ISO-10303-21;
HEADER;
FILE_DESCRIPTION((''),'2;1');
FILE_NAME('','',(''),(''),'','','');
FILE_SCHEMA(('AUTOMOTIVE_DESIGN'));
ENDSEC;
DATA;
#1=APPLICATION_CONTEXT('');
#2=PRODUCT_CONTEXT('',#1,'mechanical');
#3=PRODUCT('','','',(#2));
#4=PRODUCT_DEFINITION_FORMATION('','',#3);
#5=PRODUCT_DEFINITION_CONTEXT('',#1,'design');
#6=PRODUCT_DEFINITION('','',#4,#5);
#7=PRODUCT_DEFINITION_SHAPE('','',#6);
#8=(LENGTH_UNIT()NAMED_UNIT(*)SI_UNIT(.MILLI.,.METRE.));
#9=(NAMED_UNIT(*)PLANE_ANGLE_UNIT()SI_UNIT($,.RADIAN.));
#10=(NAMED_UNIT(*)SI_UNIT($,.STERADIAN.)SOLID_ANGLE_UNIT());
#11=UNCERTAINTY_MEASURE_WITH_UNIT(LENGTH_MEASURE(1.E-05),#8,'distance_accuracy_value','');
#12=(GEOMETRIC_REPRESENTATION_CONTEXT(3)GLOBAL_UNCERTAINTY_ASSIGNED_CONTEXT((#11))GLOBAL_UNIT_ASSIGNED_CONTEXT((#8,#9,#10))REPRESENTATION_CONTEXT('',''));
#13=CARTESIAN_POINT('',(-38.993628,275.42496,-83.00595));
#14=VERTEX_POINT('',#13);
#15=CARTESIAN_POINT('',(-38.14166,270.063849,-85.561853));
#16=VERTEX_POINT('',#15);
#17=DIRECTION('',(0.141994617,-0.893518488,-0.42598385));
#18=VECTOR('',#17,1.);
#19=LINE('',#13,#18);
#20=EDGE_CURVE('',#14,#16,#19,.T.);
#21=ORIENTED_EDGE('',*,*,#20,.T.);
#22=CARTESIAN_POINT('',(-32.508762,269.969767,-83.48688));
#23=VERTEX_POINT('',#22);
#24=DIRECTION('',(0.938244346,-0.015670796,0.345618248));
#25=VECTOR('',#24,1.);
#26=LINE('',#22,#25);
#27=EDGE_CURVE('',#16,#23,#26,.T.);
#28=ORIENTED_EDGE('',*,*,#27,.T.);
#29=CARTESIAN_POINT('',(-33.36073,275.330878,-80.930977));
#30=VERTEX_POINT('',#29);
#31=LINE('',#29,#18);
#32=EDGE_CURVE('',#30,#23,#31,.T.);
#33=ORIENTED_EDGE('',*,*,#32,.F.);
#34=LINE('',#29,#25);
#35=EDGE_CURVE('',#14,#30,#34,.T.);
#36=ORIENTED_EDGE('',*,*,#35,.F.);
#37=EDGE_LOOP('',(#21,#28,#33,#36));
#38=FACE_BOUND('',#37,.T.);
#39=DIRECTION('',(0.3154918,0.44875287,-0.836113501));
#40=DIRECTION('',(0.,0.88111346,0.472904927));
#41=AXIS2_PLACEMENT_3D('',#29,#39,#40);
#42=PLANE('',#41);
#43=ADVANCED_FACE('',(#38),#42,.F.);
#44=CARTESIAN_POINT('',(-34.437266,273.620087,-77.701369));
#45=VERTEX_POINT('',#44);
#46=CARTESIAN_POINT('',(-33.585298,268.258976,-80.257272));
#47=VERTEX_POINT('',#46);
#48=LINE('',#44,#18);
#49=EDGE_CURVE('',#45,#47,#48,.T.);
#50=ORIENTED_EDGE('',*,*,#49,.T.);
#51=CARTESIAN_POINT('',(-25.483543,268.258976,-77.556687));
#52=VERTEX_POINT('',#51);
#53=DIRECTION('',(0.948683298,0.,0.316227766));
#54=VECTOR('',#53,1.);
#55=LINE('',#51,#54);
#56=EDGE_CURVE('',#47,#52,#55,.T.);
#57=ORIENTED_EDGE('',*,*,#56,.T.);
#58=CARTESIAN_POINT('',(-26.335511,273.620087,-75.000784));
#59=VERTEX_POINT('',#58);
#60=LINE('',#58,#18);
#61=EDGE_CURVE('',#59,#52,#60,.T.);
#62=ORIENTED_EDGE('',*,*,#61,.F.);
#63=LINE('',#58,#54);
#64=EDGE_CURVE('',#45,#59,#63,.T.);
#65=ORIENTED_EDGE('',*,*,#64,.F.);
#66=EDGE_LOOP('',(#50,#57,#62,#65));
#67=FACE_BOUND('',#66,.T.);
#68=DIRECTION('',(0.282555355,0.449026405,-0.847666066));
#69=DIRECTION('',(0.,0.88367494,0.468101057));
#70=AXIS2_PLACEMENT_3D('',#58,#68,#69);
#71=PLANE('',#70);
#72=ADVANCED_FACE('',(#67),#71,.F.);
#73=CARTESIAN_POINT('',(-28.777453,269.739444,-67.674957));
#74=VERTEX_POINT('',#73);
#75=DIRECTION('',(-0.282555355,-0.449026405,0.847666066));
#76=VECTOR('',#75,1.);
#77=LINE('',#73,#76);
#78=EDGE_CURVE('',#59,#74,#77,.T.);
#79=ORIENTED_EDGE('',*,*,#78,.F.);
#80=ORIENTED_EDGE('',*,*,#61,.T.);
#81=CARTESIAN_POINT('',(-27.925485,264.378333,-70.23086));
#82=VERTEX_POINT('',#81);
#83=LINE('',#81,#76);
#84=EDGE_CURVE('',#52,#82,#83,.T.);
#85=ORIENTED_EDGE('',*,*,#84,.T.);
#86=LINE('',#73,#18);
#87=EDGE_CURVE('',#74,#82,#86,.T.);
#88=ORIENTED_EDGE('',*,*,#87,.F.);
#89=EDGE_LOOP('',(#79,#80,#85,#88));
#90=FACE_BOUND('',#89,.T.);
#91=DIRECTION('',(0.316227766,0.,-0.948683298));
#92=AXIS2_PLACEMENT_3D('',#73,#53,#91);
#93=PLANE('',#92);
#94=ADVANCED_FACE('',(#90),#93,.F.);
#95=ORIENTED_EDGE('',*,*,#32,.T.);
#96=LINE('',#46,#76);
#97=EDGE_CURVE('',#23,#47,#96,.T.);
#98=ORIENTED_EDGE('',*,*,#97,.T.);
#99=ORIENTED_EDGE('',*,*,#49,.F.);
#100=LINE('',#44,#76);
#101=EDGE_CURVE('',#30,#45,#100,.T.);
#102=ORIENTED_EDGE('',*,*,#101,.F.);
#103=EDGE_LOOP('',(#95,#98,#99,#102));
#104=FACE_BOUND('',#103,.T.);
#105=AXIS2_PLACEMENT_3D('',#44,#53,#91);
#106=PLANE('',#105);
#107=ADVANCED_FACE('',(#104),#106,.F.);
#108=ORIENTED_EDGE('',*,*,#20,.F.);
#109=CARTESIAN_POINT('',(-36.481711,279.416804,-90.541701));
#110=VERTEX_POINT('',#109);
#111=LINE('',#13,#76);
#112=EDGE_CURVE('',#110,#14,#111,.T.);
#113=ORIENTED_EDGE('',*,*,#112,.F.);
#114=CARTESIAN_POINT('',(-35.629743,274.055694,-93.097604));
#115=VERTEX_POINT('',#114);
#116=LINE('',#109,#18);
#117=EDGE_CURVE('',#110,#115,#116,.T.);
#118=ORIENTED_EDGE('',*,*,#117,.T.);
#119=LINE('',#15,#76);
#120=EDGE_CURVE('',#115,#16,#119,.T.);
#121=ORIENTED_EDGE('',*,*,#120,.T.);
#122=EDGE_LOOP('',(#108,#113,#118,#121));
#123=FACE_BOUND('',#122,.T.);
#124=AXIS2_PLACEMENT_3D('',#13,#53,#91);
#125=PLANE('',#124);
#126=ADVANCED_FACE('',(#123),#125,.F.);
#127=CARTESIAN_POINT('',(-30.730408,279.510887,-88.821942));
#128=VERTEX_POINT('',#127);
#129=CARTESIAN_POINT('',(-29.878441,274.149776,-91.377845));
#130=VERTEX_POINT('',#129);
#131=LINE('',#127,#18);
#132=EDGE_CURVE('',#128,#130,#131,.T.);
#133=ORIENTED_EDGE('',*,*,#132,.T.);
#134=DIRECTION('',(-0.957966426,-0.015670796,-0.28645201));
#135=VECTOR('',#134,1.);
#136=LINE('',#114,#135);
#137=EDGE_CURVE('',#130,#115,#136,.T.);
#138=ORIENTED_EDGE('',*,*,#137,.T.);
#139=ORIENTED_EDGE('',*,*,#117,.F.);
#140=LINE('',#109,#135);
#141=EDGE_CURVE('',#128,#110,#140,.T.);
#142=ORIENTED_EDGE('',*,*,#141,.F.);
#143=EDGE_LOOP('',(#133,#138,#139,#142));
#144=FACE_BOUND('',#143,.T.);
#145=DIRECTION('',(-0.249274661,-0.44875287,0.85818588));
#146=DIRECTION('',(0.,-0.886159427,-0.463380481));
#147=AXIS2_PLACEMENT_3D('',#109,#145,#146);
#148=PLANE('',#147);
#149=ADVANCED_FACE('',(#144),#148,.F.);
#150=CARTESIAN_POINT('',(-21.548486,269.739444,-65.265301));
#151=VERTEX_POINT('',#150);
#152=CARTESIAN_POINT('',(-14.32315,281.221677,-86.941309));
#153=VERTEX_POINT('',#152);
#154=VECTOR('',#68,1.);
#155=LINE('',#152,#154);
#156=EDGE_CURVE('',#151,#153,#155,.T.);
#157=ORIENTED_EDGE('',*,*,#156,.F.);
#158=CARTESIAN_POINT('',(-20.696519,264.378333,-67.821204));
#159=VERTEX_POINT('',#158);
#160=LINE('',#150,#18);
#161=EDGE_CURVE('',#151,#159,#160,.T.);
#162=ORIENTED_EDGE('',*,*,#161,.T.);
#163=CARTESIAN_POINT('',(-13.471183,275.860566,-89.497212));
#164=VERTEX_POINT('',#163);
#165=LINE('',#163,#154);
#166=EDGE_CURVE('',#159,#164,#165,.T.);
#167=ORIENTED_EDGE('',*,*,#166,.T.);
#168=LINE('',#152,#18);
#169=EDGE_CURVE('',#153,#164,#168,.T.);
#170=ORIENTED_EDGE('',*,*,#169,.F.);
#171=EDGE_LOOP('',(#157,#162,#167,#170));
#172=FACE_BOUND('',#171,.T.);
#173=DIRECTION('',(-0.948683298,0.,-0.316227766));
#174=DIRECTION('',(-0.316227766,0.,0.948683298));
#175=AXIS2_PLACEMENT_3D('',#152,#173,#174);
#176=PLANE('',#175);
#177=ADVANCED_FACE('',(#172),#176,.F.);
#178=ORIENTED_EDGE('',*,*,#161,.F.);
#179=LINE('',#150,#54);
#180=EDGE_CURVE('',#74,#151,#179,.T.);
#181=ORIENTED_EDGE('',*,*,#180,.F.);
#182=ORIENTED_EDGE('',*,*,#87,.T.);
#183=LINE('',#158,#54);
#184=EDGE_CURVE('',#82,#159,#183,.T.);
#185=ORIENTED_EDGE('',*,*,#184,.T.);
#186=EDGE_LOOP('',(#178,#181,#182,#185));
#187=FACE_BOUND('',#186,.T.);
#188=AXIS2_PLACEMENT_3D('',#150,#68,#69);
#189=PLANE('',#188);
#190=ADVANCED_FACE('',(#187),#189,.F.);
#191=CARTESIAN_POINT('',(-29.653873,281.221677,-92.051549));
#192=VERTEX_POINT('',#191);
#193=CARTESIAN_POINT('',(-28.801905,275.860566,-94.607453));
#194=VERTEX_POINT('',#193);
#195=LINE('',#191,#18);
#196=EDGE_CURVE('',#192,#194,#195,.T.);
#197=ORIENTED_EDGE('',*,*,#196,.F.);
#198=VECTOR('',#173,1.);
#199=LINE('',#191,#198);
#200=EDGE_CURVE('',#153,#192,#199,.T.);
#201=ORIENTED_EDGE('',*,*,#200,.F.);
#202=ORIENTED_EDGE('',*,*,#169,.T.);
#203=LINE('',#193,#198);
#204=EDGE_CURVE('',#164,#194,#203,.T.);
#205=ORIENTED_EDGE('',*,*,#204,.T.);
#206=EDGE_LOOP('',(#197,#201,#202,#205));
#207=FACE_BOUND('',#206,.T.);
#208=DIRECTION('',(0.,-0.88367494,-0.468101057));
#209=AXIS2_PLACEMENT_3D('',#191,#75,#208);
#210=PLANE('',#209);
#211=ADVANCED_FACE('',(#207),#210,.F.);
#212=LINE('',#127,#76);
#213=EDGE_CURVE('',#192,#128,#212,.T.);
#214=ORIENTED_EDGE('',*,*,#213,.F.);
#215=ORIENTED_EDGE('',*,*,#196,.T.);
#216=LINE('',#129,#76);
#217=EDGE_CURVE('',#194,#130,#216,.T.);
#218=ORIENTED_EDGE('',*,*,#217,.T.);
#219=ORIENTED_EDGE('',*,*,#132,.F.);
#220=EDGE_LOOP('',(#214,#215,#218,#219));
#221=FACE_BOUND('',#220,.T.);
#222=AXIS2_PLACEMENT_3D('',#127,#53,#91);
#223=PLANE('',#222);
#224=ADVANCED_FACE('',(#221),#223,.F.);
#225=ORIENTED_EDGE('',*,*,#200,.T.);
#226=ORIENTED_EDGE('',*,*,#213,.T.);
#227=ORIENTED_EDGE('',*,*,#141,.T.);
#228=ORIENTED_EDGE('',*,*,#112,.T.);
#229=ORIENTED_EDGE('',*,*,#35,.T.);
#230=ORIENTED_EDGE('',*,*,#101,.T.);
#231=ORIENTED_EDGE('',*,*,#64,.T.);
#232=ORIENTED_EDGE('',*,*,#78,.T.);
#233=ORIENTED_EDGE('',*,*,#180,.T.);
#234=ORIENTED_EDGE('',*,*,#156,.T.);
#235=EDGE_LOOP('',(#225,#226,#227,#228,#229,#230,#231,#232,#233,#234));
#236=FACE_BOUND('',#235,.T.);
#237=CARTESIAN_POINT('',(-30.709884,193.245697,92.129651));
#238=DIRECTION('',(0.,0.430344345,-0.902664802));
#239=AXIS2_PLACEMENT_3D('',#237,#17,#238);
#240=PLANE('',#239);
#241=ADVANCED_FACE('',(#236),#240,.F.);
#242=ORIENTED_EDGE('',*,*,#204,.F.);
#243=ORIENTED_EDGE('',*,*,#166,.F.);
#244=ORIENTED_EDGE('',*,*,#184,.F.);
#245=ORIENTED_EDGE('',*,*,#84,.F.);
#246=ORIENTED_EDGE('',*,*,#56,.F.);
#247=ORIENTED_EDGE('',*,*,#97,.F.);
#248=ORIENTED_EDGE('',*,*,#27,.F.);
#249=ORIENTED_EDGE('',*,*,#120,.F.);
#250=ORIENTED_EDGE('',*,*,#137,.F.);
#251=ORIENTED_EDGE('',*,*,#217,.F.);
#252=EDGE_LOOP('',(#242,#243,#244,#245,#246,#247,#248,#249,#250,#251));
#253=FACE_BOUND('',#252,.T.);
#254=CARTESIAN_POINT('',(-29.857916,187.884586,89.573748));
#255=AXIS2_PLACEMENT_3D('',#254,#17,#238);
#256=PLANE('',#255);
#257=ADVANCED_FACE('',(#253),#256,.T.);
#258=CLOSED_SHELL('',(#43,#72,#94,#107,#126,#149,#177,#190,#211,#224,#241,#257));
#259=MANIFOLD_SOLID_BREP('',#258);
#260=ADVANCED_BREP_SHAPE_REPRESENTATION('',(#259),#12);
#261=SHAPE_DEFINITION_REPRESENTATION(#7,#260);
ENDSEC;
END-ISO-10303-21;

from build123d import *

# Parameters (mm, degrees)
BOSS_EXTRUDE1_DEPTH = 3


with BuildPart() as part:
    # Sketch1 → Boss-Extrude1 (new, symmetric)
    with BuildSketch(Plane(origin=(-30.283899698, 190.565141588, 90.851699095), x_dir=(0.9895658040523138, 0.13875740324000216, 0.038805959547332534), z_dir=(-0.1419946168296557, 0.8935184877292665, 0.4259838504889642))):
        Polygon((6.324969733, 177.066470322), (8.995614558, 185.285829771), (0.873595698, 187.924846566), (2.050955651, 191.548370203), (-3.590633831, 193.601750023), (-0.843460609, 202.056638508), (4.92762278, 200.401798006), (6.104982732, 204.025321642), (21.474048864, 199.031584942), (13.572017005, 174.711750418), align=None)
    extrude(amount=BOSS_EXTRUDE1_DEPTH, both=True)


solid = part.part
